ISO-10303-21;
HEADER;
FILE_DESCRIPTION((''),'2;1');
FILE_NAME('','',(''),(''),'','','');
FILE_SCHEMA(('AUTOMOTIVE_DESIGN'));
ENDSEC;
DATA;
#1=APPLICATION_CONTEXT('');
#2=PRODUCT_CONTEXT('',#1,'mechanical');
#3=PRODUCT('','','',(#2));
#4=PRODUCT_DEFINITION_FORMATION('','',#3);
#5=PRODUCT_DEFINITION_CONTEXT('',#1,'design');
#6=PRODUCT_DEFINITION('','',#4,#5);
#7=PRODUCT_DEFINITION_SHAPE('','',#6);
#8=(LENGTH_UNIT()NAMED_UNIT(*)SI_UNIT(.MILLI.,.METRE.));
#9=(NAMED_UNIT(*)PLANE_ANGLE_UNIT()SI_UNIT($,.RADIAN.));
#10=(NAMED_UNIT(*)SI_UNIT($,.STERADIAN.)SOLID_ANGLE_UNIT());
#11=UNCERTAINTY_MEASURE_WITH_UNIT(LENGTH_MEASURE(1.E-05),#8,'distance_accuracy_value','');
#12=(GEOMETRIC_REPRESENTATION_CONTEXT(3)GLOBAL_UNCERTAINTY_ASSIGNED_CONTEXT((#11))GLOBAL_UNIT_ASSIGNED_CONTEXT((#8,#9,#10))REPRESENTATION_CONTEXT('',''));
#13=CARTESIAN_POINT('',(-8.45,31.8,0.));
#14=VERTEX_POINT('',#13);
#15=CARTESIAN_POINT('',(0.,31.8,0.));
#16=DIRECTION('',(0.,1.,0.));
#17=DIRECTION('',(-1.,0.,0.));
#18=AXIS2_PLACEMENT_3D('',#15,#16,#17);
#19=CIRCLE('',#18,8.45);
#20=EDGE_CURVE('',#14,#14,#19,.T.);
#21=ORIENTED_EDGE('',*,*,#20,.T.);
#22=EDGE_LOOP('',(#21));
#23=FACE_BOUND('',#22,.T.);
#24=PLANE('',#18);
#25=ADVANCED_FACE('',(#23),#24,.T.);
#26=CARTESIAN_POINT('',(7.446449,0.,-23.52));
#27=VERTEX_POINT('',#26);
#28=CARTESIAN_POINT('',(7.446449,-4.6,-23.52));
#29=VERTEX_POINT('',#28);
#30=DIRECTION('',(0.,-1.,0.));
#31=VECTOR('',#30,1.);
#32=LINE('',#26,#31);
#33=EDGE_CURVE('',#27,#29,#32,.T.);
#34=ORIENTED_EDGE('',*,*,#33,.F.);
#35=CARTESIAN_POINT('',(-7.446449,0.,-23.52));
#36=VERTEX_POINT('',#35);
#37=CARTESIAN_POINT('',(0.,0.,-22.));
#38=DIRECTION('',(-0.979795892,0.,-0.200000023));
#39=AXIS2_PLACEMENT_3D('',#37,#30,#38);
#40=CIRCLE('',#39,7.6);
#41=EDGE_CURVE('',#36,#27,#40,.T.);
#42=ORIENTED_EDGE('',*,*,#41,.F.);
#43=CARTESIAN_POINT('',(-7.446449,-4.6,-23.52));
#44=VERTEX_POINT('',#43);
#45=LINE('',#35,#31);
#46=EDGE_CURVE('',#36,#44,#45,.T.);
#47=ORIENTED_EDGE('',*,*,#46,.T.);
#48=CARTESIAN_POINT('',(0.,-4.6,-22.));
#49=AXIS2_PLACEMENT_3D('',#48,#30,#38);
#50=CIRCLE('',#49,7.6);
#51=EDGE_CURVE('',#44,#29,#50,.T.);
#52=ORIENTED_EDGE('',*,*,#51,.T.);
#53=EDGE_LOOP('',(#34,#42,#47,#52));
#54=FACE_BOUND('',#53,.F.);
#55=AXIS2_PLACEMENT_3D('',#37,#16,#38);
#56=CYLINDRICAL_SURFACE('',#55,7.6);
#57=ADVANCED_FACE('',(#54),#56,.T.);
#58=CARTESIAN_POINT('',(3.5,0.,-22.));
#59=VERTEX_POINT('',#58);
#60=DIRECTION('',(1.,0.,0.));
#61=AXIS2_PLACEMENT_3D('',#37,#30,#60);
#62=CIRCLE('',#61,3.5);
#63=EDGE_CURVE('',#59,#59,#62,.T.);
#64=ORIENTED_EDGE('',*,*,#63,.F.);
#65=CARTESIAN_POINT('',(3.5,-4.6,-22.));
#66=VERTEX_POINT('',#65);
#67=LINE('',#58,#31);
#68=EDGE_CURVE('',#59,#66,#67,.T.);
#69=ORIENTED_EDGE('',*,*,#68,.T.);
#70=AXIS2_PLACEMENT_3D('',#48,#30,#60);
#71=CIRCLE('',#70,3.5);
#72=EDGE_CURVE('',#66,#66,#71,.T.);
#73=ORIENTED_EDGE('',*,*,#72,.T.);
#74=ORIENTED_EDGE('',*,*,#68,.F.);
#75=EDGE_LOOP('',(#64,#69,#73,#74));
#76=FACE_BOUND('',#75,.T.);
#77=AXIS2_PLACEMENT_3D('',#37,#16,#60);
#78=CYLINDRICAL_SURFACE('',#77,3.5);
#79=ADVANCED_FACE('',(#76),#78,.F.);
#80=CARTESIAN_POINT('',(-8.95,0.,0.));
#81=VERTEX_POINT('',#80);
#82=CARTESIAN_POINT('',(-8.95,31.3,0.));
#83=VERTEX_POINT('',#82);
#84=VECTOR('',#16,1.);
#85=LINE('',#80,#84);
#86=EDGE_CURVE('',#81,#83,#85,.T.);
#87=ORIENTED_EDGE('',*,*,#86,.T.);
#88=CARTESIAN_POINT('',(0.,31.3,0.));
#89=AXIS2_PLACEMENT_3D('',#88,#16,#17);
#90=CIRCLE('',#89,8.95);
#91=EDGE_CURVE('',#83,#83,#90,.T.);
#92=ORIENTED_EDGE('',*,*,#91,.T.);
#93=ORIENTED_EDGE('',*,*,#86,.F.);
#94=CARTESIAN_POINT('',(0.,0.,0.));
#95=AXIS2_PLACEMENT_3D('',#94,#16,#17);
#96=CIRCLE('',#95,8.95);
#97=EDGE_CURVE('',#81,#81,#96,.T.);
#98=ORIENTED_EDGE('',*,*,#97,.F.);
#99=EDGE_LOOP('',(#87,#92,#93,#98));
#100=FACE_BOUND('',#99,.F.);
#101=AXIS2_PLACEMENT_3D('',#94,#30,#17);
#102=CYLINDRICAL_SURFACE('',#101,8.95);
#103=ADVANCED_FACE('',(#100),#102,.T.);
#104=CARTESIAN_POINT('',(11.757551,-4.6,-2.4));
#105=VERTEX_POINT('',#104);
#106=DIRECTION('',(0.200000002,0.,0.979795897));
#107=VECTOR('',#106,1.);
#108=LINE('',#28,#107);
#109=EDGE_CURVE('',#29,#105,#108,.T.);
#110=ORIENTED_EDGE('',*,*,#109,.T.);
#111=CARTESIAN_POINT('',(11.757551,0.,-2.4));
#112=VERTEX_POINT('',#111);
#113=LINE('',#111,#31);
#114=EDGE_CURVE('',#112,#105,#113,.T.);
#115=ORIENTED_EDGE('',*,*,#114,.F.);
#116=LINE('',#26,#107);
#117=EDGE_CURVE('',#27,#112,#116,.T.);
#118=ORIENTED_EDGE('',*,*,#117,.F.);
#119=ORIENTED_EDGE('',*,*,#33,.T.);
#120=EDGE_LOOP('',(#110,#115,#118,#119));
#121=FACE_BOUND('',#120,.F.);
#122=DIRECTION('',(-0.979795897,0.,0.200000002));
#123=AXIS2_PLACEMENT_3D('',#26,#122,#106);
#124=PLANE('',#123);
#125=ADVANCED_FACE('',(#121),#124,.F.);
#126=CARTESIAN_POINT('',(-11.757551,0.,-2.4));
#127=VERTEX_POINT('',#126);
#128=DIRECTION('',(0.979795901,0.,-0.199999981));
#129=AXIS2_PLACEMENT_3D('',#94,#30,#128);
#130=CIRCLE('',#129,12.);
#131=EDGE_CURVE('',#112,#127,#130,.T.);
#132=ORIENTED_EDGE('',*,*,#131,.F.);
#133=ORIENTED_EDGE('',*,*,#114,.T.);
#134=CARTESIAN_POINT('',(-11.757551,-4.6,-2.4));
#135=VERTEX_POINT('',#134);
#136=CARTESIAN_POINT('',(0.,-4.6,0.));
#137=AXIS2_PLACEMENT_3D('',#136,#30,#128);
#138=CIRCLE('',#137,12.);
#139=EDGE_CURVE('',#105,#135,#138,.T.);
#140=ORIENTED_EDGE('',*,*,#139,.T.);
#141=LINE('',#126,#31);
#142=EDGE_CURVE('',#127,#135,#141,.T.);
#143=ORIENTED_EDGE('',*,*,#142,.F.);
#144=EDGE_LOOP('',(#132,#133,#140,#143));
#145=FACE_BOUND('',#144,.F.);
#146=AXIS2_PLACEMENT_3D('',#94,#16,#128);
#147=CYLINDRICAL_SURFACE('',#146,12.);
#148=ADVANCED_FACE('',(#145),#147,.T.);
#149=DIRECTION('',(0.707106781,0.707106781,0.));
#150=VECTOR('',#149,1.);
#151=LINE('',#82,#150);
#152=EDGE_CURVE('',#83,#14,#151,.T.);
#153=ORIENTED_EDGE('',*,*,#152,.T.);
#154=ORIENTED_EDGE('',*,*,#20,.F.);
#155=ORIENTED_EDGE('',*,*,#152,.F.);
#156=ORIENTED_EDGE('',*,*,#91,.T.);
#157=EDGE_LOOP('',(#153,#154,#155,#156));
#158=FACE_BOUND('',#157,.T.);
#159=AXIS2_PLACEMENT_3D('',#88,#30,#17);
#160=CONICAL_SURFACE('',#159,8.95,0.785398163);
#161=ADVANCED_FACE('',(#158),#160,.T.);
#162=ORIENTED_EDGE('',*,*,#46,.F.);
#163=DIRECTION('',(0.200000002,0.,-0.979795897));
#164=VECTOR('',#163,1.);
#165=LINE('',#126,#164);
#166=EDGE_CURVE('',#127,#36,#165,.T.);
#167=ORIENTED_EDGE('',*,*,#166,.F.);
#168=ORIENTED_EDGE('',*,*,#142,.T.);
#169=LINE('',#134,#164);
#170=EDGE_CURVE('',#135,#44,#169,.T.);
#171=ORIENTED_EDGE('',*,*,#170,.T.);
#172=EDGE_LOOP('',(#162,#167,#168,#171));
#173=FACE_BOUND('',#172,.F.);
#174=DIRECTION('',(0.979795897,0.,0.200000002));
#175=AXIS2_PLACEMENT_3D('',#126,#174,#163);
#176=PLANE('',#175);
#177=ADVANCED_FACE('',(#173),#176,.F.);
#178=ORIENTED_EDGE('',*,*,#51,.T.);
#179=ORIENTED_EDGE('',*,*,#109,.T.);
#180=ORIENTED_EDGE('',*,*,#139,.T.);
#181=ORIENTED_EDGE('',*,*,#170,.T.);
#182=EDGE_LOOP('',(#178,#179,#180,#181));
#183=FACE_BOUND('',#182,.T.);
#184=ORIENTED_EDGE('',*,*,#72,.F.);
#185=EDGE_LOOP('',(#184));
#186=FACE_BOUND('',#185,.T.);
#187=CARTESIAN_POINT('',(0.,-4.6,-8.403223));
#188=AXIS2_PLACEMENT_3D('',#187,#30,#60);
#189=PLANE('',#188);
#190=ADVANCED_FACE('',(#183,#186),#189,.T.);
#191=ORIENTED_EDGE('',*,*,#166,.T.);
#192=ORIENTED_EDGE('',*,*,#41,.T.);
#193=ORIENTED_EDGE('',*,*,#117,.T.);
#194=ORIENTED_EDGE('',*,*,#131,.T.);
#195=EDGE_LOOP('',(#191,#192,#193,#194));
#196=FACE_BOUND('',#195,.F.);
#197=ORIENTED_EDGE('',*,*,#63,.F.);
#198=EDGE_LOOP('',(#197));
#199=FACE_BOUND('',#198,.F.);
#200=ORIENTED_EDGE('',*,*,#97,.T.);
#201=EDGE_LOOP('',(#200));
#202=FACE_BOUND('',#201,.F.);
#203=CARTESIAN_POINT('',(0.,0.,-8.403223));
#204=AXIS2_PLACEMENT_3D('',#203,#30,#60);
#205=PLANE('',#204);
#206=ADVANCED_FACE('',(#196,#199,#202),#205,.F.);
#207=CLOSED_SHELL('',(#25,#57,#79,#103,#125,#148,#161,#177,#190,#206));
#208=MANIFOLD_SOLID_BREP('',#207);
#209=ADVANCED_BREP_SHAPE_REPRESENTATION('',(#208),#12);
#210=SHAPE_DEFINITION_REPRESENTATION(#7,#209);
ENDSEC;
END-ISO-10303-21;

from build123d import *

# Parameters (mm, degrees)
F0_R     = 3.5
F1_DEPTH = 4.6
F2_R     = 8.95
F3_DEPTH = 31.8
F4_SIZE  = 0.5


with BuildPart() as f1:
    # F0 (on Front) → F1 (new body)
    with BuildSketch(Plane.XZ):
        with BuildLine():
            Line((7.446449, -23.52), (11.757551, -2.4))
            ThreePointArc((11.757551, -2.4), (0, 12), (-11.757551, -2.4))
            Line((-11.757551, -2.4), (-7.446449, -23.52))
            ThreePointArc((-7.446449, -23.52), (0, -29.6), (7.446449, -23.52))
        make_face()
        with Locations((0, -22)):
            Circle(F0_R, mode=Mode.SUBTRACT)
    extrude(amount=F1_DEPTH)

    # F2 (on face) → F3 (join)
    with BuildSketch(Plane(origin=(0, 0, 0), x_dir=(-1, 0, 0), z_dir=(0, 1, 0))):
        Circle(F2_R)
    extrude(amount=F3_DEPTH)

    # F4
    f4_edges = [f1.edges().sort_by_distance(p)[0] for p in [
        (8.95, 31.8, 0),
    ]]
    chamfer(f4_edges, length=F4_SIZE)


solid = f1.part
